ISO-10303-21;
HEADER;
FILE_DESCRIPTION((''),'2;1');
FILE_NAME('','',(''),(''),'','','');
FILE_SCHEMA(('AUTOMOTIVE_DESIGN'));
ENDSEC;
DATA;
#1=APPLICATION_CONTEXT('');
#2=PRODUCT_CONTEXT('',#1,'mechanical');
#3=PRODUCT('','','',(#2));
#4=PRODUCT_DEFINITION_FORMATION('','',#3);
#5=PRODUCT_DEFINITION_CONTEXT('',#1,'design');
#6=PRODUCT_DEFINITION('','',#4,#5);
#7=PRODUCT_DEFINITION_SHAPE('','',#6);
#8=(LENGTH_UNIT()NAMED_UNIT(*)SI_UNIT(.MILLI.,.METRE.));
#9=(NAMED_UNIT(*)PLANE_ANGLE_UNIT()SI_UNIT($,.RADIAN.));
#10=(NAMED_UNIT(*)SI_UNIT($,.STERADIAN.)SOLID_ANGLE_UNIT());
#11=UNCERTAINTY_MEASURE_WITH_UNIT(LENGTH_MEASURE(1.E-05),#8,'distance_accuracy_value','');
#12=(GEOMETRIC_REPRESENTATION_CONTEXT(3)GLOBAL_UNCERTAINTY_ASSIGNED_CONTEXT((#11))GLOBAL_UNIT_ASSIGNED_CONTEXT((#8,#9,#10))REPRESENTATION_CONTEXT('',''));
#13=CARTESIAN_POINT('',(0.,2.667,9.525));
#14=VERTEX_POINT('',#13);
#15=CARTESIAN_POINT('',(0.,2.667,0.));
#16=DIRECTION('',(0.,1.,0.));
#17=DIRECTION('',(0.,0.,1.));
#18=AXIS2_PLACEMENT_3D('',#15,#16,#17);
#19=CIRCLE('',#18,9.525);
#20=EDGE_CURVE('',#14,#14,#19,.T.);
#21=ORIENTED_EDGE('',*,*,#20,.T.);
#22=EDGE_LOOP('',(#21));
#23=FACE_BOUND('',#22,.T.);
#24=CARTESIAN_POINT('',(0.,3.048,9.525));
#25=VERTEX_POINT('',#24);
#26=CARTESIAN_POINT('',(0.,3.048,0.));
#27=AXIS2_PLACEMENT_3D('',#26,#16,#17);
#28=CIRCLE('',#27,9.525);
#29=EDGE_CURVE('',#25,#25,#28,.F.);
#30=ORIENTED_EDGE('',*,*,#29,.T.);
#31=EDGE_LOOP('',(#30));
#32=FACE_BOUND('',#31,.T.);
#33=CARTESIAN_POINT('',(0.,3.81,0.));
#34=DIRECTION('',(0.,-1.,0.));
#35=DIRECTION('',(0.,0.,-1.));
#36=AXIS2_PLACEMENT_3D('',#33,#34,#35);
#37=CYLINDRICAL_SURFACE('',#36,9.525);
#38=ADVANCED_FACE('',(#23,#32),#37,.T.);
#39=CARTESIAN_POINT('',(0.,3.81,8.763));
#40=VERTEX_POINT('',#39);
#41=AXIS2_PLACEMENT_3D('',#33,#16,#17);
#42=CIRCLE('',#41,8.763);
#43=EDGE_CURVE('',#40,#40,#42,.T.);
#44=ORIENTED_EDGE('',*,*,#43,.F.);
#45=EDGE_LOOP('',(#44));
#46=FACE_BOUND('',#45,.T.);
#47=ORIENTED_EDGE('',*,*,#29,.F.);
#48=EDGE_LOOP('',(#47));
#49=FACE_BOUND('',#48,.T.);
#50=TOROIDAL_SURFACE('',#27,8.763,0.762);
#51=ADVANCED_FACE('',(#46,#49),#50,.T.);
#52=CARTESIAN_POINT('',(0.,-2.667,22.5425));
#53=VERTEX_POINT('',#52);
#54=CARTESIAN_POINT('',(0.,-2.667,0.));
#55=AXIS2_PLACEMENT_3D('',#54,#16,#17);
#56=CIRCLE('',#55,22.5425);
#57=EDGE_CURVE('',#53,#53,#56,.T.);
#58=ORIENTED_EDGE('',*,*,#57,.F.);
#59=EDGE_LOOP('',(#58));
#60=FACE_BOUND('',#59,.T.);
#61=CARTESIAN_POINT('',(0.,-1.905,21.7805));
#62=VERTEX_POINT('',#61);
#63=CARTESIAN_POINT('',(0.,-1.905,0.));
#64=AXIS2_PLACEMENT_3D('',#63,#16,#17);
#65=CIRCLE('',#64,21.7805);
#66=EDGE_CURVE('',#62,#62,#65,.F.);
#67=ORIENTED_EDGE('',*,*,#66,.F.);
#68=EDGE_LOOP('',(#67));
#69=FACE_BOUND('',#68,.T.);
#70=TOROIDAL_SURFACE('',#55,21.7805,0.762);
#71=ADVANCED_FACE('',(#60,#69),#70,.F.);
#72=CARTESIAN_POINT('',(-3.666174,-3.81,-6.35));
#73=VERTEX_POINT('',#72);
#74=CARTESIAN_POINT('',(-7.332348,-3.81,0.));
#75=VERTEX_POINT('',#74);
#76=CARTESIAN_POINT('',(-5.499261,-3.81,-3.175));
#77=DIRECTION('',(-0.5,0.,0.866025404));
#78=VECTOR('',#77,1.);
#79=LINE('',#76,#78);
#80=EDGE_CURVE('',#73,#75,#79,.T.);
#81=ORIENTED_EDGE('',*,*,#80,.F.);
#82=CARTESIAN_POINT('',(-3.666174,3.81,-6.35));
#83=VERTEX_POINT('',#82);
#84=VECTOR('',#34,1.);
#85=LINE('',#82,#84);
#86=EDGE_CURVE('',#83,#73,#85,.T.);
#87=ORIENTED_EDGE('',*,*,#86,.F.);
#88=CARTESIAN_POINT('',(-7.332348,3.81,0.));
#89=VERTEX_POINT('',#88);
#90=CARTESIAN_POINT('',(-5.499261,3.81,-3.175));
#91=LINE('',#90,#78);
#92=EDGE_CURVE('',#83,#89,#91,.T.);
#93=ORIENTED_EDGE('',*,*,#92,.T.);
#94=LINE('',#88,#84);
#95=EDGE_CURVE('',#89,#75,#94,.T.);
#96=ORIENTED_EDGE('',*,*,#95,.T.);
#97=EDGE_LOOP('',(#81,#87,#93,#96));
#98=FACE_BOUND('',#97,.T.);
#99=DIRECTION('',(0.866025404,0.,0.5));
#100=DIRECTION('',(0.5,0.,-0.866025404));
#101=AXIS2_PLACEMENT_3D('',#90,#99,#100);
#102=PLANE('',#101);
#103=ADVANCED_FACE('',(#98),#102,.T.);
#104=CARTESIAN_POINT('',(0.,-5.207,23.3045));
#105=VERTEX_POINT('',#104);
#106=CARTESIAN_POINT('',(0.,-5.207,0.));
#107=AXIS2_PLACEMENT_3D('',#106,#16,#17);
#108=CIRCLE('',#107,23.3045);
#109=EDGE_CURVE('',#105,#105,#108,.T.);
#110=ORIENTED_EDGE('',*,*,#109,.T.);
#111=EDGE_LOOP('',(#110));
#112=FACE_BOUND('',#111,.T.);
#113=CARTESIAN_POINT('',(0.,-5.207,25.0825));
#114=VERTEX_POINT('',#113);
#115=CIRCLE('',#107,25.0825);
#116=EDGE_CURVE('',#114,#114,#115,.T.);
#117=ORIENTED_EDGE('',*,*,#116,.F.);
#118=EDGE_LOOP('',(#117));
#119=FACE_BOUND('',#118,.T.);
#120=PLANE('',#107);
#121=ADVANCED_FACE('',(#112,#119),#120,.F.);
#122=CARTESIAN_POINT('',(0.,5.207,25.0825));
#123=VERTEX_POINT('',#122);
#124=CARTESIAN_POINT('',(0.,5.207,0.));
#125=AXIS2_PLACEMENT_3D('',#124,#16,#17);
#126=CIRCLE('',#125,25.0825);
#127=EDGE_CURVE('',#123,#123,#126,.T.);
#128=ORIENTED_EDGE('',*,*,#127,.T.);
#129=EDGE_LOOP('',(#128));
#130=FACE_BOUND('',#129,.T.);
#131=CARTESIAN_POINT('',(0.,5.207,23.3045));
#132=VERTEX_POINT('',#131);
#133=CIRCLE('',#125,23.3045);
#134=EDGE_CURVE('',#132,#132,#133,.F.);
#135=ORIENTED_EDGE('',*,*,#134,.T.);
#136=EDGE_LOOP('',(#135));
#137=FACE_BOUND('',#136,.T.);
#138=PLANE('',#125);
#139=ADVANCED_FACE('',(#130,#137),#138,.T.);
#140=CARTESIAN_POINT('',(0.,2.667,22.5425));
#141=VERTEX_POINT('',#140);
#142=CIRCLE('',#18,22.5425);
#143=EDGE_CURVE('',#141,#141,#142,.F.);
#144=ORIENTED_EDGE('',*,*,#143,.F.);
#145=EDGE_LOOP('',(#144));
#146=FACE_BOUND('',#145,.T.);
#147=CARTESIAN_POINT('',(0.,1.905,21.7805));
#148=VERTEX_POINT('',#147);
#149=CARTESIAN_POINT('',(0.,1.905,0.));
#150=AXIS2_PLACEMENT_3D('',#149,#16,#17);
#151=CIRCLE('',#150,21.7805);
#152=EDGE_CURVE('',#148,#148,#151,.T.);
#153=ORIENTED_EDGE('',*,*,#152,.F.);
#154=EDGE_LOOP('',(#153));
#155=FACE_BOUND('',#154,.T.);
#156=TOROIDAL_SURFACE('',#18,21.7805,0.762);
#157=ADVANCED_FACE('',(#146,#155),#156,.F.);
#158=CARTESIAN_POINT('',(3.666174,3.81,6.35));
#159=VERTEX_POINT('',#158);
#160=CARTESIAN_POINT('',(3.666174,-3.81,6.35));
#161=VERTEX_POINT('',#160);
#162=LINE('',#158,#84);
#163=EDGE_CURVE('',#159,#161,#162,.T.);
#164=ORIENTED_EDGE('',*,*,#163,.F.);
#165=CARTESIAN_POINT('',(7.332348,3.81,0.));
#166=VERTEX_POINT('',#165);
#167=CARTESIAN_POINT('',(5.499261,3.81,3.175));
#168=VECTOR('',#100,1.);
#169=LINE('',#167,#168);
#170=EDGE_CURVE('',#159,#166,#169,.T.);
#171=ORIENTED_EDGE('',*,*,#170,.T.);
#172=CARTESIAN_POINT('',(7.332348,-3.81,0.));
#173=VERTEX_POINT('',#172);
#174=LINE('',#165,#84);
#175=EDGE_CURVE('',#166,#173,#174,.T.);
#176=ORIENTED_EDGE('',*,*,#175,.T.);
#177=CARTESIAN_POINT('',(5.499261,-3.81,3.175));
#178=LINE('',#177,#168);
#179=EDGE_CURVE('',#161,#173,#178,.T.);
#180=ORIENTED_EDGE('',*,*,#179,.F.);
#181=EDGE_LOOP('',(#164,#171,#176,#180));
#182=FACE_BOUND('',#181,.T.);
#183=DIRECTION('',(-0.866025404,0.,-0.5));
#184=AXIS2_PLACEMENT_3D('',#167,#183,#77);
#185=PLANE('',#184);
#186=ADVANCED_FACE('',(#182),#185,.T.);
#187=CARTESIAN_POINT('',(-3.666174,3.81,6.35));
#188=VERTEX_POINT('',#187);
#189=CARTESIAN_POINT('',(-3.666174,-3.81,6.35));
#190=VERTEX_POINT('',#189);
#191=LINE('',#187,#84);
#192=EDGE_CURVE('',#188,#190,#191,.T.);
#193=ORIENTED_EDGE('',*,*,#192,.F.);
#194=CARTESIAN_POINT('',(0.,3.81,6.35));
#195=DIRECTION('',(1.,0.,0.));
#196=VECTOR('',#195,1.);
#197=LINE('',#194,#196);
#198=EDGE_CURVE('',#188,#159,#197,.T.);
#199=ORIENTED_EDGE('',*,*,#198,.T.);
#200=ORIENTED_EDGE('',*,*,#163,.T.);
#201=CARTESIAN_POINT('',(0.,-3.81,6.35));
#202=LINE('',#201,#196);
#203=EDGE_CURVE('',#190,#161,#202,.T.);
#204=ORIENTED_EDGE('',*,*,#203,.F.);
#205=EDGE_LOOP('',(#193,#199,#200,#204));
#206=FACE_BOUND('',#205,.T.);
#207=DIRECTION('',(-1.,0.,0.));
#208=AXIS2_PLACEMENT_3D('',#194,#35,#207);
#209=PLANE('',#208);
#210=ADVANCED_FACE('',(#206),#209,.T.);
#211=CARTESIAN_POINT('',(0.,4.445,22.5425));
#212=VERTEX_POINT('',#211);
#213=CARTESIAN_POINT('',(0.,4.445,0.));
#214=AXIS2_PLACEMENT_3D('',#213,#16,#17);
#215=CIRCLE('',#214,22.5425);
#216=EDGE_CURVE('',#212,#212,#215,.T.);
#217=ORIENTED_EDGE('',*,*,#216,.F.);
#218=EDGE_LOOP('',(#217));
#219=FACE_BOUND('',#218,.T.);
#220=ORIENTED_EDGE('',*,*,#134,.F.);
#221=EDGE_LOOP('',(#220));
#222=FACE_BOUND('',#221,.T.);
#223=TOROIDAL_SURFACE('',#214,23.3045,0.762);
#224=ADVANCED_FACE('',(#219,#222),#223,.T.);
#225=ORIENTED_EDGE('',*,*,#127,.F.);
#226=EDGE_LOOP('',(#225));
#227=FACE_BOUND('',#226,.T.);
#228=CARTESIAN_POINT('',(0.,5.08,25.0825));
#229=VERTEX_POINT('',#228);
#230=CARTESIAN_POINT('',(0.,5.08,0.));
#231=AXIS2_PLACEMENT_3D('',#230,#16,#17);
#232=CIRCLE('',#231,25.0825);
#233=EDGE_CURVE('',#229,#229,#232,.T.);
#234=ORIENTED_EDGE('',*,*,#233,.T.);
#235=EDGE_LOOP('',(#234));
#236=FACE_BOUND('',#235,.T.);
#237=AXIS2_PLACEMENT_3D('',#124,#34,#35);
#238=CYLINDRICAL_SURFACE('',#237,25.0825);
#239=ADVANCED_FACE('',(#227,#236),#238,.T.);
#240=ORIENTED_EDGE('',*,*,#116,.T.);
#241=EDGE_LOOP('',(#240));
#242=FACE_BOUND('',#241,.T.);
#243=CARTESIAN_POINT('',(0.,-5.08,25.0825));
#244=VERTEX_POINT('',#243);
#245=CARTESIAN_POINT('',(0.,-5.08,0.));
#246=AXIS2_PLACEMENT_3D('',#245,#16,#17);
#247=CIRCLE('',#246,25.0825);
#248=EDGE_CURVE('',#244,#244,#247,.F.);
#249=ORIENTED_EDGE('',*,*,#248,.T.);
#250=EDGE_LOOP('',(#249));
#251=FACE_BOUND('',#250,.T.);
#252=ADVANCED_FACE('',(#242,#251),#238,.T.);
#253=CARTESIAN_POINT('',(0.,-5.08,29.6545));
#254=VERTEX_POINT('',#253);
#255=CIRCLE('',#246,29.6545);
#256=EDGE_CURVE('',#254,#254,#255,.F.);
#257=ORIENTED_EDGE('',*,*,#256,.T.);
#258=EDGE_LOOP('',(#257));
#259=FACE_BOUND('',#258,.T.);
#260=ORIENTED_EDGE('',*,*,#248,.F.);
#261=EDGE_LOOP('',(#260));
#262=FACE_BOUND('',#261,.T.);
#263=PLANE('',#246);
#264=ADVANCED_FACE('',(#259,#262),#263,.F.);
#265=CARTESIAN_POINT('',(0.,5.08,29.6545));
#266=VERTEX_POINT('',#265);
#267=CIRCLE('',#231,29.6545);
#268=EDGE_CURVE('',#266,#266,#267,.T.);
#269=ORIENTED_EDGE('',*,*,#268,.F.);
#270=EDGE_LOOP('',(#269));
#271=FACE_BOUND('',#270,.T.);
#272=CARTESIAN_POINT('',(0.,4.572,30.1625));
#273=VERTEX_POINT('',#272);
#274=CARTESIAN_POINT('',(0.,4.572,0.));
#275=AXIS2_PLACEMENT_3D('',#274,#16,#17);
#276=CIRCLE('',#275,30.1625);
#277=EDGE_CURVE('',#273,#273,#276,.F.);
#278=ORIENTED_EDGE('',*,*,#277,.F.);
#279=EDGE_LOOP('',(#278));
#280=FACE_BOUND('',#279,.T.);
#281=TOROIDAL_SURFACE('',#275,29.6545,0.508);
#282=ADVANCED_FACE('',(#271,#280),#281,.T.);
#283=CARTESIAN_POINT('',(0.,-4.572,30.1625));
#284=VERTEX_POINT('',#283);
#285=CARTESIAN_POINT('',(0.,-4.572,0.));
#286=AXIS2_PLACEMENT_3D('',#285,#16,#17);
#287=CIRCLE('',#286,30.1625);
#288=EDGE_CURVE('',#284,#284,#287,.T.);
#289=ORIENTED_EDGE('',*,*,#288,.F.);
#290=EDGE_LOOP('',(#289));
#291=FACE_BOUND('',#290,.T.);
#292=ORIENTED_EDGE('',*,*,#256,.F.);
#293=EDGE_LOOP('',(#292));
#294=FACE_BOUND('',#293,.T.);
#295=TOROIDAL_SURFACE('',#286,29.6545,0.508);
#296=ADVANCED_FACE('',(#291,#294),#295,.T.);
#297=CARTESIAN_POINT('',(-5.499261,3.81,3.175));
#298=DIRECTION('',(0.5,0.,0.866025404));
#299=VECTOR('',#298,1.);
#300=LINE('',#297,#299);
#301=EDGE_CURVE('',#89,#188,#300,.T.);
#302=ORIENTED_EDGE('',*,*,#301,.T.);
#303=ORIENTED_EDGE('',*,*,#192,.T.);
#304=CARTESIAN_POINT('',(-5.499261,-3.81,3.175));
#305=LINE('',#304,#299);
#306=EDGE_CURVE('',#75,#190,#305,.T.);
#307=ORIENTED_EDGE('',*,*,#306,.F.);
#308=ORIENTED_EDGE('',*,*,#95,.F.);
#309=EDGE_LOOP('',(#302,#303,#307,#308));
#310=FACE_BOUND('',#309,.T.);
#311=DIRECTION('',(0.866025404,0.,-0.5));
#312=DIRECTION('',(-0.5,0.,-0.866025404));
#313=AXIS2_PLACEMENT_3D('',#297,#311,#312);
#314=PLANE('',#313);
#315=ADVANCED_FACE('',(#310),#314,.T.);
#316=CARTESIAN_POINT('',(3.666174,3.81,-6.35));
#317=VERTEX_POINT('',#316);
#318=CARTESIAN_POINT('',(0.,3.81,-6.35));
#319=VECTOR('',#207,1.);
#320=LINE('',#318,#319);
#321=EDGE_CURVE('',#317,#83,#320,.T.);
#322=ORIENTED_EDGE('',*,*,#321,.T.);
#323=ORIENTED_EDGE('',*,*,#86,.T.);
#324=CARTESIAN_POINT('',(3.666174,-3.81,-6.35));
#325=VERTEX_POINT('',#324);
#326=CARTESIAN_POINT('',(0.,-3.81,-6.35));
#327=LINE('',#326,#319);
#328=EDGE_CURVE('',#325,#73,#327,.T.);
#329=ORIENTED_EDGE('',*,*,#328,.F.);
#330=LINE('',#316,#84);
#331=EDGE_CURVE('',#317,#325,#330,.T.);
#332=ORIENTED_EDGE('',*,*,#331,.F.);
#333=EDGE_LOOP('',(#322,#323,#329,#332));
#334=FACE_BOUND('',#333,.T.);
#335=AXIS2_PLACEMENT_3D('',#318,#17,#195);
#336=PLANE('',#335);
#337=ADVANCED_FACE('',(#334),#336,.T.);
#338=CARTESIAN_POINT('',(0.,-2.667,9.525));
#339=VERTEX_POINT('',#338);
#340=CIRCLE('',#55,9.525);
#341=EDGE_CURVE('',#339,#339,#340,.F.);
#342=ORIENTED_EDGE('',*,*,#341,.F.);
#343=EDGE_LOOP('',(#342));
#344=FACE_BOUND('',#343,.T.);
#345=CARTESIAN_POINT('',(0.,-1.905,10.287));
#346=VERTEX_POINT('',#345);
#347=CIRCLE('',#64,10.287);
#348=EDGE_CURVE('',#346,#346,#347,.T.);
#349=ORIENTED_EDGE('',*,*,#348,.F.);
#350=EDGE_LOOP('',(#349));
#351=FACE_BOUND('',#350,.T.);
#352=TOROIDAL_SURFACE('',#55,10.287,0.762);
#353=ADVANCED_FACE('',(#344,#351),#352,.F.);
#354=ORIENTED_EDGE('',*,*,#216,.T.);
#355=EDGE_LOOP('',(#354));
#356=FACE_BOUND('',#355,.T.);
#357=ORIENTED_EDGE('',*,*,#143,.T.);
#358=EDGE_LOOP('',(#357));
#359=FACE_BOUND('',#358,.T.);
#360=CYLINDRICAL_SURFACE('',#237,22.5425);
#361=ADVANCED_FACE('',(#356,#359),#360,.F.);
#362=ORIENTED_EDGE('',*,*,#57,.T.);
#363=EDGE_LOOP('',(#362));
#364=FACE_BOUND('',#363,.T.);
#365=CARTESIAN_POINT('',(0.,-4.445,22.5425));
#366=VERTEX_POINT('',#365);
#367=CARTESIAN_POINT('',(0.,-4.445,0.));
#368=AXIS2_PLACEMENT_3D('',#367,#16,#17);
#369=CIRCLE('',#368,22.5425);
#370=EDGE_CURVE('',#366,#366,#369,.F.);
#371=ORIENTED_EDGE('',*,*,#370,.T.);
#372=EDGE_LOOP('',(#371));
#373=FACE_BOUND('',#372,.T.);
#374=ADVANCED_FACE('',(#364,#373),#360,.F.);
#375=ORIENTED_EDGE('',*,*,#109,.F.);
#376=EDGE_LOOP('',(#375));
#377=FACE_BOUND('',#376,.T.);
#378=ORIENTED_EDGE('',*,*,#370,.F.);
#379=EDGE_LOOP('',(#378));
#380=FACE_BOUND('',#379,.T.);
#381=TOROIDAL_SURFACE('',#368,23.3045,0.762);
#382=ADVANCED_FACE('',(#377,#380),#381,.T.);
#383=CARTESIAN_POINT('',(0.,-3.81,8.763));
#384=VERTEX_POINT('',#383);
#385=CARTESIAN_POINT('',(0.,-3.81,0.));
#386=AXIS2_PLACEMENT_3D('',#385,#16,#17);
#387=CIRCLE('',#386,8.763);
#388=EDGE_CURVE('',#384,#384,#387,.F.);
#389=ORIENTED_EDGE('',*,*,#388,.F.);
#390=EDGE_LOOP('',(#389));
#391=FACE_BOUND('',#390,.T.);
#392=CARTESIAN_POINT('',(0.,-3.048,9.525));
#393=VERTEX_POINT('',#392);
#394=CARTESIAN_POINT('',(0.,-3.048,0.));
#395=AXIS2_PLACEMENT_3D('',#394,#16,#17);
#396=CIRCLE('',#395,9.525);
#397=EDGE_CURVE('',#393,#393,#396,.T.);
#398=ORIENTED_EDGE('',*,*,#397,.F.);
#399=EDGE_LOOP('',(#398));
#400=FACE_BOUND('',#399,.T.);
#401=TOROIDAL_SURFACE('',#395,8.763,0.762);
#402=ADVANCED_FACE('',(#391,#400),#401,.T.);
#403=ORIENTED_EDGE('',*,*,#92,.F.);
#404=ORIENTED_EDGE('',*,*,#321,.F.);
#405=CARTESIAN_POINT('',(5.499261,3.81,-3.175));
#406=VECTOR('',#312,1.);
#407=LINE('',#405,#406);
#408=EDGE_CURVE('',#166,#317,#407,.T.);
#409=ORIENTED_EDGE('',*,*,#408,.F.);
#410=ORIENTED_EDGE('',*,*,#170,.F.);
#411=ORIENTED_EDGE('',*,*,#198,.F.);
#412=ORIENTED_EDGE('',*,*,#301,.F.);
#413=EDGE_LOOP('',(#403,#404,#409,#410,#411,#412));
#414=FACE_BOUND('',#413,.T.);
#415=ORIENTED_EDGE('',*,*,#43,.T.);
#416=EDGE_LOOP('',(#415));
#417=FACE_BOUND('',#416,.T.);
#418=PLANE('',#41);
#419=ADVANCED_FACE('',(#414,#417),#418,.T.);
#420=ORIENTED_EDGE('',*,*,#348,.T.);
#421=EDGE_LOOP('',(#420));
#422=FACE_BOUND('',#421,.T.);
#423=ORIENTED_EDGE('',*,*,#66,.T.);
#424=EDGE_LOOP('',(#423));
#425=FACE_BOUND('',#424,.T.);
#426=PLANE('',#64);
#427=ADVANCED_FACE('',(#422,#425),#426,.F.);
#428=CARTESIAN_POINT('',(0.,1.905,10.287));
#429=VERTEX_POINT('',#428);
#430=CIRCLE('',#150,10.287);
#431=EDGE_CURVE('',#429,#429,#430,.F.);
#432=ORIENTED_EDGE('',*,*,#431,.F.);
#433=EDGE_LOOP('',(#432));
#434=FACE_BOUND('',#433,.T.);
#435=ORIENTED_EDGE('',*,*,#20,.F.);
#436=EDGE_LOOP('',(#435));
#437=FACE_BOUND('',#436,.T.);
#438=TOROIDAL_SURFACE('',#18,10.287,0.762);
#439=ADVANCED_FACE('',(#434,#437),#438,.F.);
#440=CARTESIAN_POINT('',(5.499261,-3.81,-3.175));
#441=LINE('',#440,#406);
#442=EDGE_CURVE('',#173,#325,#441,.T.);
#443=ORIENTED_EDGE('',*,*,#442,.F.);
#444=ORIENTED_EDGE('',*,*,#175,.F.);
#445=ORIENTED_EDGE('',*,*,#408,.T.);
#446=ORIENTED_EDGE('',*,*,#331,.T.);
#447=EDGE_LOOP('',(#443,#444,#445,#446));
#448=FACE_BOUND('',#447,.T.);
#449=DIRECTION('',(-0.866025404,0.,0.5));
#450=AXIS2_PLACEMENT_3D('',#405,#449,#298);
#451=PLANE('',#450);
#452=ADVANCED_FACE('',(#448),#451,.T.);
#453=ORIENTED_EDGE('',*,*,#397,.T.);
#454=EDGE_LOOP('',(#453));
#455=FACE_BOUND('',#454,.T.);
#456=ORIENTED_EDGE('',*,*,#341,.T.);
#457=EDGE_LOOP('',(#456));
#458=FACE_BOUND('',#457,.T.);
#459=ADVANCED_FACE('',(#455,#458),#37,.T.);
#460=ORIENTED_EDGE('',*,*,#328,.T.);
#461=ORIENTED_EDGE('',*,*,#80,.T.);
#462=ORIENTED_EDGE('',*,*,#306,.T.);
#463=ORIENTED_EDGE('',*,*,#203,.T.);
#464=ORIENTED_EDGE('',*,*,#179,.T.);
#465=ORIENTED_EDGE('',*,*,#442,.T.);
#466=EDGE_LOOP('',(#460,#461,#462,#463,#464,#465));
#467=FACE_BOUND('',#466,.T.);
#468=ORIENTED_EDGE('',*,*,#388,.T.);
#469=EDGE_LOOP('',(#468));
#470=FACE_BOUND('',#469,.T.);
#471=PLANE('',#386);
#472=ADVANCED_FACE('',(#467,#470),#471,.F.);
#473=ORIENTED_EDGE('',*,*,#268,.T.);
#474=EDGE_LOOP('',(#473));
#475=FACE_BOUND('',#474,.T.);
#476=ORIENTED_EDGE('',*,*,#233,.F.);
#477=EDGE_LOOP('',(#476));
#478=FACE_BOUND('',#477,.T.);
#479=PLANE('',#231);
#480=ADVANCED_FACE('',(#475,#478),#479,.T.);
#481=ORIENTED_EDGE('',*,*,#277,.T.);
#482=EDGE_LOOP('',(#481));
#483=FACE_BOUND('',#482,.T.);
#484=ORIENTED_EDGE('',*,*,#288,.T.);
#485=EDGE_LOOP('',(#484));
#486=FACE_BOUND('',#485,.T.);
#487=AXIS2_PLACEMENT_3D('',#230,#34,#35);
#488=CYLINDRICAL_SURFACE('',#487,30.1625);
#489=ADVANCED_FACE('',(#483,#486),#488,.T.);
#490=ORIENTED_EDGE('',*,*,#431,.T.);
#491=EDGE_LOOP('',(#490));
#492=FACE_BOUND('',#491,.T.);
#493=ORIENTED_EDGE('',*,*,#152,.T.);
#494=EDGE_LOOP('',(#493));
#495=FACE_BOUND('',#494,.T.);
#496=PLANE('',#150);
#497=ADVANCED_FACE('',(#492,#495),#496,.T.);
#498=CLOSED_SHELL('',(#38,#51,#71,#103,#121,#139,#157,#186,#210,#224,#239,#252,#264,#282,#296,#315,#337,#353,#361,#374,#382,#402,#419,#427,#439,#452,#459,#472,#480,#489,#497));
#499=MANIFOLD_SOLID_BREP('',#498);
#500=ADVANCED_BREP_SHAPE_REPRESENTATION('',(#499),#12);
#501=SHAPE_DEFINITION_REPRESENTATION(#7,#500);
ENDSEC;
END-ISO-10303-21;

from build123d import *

# Parameters (mm, degrees)
SKETCH1_R           = 30.1625
SKETCH1_R_2         = 25.0825
BOSS_EXTRUDE1_DEPTH = 5.08
SKETCH1_3_R         = 25.0825
SKETCH1_3_R_2       = 22.5425
BOSS_EXTRUDE2_DEPTH = 5.207
SKETCH1_4_R         = 9.525
BOSS_EXTRUDE3_DEPTH = 3.81
SKETCH1_5_R         = 22.5425
SKETCH1_5_R_2       = 9.525
BOSS_EXTRUDE4_DEPTH = 1.905
FILLET1_R           = 0.762
FILLET2_R           = 0.508


with BuildPart() as part:
    # Sketch1 → Boss-Extrude1 (new, symmetric)
    with BuildSketch(Plane(origin=(0, 0, 0), x_dir=(1, 0, 0), z_dir=(0, 1, 0))):
        Circle(SKETCH1_R)
        Circle(SKETCH1_R_2, mode=Mode.SUBTRACT)
    extrude(amount=BOSS_EXTRUDE1_DEPTH, both=True)

    # Sketch1<3> → Boss-Extrude2 (add, symmetric)
    with BuildSketch(Plane(origin=(0, 0, 0), x_dir=(1, 0, 0), z_dir=(0, 1, 0))):
        Circle(SKETCH1_3_R)
        Circle(SKETCH1_3_R_2, mode=Mode.SUBTRACT)
    extrude(amount=BOSS_EXTRUDE2_DEPTH, both=True)



with BuildPart() as body_2:
    # Sketch1<4> → Boss-Extrude3 (new, symmetric)
    with BuildSketch(Plane(origin=(0, 0, 0), x_dir=(1, 0, 0), z_dir=(0, 1, 0))):
        Circle(SKETCH1_4_R)
        Polygon((-3.666174209, 6.35), (3.666174209, 6.35), (7.332348419, 0), (3.666174209, -6.35), (-3.666174209, -6.35), (-7.332348419, 0), align=None, mode=Mode.SUBTRACT)
    extrude(amount=BOSS_EXTRUDE3_DEPTH, both=True)


with BuildPart() as part_1:
    add(part.part)

    add(body_2.part)  # Boss-Extrude4 merges body 2
    # Sketch1<5> → Boss-Extrude4 (add, symmetric)
    with BuildSketch(Plane(origin=(0, 0, 0), x_dir=(1, 0, 0), z_dir=(0, 1, 0))):
        Circle(SKETCH1_5_R)
        Circle(SKETCH1_5_R_2, mode=Mode.SUBTRACT)
    extrude(amount=BOSS_EXTRUDE4_DEPTH, both=True)

    # Fillet1
    fillet1_edges = [part_1.edges().sort_by_distance(p)[0] for p in [
        (-22.5425, -1.905, 0),
        (-22.5425, 5.207, 0),
        (-22.5425, 1.905, 0),
        (-9.525, 3.81, 0),
        (-9.525, 1.905, 0),
        (-22.5425, -5.207, 0),
        (-9.525, -3.81, 0),
        (-9.525, -1.905, 0),
    ]]
    fillet(fillet1_edges, radius=FILLET1_R)

    # Fillet2
    fillet2_edges = [part_1.edges().sort_by_distance(p)[0] for p in [
        (-30.1625, -5.08, 0),
        (-30.1625, 5.08, 0),
    ]]
    fillet(fillet2_edges, radius=FILLET2_R)


solid = part_1.part
